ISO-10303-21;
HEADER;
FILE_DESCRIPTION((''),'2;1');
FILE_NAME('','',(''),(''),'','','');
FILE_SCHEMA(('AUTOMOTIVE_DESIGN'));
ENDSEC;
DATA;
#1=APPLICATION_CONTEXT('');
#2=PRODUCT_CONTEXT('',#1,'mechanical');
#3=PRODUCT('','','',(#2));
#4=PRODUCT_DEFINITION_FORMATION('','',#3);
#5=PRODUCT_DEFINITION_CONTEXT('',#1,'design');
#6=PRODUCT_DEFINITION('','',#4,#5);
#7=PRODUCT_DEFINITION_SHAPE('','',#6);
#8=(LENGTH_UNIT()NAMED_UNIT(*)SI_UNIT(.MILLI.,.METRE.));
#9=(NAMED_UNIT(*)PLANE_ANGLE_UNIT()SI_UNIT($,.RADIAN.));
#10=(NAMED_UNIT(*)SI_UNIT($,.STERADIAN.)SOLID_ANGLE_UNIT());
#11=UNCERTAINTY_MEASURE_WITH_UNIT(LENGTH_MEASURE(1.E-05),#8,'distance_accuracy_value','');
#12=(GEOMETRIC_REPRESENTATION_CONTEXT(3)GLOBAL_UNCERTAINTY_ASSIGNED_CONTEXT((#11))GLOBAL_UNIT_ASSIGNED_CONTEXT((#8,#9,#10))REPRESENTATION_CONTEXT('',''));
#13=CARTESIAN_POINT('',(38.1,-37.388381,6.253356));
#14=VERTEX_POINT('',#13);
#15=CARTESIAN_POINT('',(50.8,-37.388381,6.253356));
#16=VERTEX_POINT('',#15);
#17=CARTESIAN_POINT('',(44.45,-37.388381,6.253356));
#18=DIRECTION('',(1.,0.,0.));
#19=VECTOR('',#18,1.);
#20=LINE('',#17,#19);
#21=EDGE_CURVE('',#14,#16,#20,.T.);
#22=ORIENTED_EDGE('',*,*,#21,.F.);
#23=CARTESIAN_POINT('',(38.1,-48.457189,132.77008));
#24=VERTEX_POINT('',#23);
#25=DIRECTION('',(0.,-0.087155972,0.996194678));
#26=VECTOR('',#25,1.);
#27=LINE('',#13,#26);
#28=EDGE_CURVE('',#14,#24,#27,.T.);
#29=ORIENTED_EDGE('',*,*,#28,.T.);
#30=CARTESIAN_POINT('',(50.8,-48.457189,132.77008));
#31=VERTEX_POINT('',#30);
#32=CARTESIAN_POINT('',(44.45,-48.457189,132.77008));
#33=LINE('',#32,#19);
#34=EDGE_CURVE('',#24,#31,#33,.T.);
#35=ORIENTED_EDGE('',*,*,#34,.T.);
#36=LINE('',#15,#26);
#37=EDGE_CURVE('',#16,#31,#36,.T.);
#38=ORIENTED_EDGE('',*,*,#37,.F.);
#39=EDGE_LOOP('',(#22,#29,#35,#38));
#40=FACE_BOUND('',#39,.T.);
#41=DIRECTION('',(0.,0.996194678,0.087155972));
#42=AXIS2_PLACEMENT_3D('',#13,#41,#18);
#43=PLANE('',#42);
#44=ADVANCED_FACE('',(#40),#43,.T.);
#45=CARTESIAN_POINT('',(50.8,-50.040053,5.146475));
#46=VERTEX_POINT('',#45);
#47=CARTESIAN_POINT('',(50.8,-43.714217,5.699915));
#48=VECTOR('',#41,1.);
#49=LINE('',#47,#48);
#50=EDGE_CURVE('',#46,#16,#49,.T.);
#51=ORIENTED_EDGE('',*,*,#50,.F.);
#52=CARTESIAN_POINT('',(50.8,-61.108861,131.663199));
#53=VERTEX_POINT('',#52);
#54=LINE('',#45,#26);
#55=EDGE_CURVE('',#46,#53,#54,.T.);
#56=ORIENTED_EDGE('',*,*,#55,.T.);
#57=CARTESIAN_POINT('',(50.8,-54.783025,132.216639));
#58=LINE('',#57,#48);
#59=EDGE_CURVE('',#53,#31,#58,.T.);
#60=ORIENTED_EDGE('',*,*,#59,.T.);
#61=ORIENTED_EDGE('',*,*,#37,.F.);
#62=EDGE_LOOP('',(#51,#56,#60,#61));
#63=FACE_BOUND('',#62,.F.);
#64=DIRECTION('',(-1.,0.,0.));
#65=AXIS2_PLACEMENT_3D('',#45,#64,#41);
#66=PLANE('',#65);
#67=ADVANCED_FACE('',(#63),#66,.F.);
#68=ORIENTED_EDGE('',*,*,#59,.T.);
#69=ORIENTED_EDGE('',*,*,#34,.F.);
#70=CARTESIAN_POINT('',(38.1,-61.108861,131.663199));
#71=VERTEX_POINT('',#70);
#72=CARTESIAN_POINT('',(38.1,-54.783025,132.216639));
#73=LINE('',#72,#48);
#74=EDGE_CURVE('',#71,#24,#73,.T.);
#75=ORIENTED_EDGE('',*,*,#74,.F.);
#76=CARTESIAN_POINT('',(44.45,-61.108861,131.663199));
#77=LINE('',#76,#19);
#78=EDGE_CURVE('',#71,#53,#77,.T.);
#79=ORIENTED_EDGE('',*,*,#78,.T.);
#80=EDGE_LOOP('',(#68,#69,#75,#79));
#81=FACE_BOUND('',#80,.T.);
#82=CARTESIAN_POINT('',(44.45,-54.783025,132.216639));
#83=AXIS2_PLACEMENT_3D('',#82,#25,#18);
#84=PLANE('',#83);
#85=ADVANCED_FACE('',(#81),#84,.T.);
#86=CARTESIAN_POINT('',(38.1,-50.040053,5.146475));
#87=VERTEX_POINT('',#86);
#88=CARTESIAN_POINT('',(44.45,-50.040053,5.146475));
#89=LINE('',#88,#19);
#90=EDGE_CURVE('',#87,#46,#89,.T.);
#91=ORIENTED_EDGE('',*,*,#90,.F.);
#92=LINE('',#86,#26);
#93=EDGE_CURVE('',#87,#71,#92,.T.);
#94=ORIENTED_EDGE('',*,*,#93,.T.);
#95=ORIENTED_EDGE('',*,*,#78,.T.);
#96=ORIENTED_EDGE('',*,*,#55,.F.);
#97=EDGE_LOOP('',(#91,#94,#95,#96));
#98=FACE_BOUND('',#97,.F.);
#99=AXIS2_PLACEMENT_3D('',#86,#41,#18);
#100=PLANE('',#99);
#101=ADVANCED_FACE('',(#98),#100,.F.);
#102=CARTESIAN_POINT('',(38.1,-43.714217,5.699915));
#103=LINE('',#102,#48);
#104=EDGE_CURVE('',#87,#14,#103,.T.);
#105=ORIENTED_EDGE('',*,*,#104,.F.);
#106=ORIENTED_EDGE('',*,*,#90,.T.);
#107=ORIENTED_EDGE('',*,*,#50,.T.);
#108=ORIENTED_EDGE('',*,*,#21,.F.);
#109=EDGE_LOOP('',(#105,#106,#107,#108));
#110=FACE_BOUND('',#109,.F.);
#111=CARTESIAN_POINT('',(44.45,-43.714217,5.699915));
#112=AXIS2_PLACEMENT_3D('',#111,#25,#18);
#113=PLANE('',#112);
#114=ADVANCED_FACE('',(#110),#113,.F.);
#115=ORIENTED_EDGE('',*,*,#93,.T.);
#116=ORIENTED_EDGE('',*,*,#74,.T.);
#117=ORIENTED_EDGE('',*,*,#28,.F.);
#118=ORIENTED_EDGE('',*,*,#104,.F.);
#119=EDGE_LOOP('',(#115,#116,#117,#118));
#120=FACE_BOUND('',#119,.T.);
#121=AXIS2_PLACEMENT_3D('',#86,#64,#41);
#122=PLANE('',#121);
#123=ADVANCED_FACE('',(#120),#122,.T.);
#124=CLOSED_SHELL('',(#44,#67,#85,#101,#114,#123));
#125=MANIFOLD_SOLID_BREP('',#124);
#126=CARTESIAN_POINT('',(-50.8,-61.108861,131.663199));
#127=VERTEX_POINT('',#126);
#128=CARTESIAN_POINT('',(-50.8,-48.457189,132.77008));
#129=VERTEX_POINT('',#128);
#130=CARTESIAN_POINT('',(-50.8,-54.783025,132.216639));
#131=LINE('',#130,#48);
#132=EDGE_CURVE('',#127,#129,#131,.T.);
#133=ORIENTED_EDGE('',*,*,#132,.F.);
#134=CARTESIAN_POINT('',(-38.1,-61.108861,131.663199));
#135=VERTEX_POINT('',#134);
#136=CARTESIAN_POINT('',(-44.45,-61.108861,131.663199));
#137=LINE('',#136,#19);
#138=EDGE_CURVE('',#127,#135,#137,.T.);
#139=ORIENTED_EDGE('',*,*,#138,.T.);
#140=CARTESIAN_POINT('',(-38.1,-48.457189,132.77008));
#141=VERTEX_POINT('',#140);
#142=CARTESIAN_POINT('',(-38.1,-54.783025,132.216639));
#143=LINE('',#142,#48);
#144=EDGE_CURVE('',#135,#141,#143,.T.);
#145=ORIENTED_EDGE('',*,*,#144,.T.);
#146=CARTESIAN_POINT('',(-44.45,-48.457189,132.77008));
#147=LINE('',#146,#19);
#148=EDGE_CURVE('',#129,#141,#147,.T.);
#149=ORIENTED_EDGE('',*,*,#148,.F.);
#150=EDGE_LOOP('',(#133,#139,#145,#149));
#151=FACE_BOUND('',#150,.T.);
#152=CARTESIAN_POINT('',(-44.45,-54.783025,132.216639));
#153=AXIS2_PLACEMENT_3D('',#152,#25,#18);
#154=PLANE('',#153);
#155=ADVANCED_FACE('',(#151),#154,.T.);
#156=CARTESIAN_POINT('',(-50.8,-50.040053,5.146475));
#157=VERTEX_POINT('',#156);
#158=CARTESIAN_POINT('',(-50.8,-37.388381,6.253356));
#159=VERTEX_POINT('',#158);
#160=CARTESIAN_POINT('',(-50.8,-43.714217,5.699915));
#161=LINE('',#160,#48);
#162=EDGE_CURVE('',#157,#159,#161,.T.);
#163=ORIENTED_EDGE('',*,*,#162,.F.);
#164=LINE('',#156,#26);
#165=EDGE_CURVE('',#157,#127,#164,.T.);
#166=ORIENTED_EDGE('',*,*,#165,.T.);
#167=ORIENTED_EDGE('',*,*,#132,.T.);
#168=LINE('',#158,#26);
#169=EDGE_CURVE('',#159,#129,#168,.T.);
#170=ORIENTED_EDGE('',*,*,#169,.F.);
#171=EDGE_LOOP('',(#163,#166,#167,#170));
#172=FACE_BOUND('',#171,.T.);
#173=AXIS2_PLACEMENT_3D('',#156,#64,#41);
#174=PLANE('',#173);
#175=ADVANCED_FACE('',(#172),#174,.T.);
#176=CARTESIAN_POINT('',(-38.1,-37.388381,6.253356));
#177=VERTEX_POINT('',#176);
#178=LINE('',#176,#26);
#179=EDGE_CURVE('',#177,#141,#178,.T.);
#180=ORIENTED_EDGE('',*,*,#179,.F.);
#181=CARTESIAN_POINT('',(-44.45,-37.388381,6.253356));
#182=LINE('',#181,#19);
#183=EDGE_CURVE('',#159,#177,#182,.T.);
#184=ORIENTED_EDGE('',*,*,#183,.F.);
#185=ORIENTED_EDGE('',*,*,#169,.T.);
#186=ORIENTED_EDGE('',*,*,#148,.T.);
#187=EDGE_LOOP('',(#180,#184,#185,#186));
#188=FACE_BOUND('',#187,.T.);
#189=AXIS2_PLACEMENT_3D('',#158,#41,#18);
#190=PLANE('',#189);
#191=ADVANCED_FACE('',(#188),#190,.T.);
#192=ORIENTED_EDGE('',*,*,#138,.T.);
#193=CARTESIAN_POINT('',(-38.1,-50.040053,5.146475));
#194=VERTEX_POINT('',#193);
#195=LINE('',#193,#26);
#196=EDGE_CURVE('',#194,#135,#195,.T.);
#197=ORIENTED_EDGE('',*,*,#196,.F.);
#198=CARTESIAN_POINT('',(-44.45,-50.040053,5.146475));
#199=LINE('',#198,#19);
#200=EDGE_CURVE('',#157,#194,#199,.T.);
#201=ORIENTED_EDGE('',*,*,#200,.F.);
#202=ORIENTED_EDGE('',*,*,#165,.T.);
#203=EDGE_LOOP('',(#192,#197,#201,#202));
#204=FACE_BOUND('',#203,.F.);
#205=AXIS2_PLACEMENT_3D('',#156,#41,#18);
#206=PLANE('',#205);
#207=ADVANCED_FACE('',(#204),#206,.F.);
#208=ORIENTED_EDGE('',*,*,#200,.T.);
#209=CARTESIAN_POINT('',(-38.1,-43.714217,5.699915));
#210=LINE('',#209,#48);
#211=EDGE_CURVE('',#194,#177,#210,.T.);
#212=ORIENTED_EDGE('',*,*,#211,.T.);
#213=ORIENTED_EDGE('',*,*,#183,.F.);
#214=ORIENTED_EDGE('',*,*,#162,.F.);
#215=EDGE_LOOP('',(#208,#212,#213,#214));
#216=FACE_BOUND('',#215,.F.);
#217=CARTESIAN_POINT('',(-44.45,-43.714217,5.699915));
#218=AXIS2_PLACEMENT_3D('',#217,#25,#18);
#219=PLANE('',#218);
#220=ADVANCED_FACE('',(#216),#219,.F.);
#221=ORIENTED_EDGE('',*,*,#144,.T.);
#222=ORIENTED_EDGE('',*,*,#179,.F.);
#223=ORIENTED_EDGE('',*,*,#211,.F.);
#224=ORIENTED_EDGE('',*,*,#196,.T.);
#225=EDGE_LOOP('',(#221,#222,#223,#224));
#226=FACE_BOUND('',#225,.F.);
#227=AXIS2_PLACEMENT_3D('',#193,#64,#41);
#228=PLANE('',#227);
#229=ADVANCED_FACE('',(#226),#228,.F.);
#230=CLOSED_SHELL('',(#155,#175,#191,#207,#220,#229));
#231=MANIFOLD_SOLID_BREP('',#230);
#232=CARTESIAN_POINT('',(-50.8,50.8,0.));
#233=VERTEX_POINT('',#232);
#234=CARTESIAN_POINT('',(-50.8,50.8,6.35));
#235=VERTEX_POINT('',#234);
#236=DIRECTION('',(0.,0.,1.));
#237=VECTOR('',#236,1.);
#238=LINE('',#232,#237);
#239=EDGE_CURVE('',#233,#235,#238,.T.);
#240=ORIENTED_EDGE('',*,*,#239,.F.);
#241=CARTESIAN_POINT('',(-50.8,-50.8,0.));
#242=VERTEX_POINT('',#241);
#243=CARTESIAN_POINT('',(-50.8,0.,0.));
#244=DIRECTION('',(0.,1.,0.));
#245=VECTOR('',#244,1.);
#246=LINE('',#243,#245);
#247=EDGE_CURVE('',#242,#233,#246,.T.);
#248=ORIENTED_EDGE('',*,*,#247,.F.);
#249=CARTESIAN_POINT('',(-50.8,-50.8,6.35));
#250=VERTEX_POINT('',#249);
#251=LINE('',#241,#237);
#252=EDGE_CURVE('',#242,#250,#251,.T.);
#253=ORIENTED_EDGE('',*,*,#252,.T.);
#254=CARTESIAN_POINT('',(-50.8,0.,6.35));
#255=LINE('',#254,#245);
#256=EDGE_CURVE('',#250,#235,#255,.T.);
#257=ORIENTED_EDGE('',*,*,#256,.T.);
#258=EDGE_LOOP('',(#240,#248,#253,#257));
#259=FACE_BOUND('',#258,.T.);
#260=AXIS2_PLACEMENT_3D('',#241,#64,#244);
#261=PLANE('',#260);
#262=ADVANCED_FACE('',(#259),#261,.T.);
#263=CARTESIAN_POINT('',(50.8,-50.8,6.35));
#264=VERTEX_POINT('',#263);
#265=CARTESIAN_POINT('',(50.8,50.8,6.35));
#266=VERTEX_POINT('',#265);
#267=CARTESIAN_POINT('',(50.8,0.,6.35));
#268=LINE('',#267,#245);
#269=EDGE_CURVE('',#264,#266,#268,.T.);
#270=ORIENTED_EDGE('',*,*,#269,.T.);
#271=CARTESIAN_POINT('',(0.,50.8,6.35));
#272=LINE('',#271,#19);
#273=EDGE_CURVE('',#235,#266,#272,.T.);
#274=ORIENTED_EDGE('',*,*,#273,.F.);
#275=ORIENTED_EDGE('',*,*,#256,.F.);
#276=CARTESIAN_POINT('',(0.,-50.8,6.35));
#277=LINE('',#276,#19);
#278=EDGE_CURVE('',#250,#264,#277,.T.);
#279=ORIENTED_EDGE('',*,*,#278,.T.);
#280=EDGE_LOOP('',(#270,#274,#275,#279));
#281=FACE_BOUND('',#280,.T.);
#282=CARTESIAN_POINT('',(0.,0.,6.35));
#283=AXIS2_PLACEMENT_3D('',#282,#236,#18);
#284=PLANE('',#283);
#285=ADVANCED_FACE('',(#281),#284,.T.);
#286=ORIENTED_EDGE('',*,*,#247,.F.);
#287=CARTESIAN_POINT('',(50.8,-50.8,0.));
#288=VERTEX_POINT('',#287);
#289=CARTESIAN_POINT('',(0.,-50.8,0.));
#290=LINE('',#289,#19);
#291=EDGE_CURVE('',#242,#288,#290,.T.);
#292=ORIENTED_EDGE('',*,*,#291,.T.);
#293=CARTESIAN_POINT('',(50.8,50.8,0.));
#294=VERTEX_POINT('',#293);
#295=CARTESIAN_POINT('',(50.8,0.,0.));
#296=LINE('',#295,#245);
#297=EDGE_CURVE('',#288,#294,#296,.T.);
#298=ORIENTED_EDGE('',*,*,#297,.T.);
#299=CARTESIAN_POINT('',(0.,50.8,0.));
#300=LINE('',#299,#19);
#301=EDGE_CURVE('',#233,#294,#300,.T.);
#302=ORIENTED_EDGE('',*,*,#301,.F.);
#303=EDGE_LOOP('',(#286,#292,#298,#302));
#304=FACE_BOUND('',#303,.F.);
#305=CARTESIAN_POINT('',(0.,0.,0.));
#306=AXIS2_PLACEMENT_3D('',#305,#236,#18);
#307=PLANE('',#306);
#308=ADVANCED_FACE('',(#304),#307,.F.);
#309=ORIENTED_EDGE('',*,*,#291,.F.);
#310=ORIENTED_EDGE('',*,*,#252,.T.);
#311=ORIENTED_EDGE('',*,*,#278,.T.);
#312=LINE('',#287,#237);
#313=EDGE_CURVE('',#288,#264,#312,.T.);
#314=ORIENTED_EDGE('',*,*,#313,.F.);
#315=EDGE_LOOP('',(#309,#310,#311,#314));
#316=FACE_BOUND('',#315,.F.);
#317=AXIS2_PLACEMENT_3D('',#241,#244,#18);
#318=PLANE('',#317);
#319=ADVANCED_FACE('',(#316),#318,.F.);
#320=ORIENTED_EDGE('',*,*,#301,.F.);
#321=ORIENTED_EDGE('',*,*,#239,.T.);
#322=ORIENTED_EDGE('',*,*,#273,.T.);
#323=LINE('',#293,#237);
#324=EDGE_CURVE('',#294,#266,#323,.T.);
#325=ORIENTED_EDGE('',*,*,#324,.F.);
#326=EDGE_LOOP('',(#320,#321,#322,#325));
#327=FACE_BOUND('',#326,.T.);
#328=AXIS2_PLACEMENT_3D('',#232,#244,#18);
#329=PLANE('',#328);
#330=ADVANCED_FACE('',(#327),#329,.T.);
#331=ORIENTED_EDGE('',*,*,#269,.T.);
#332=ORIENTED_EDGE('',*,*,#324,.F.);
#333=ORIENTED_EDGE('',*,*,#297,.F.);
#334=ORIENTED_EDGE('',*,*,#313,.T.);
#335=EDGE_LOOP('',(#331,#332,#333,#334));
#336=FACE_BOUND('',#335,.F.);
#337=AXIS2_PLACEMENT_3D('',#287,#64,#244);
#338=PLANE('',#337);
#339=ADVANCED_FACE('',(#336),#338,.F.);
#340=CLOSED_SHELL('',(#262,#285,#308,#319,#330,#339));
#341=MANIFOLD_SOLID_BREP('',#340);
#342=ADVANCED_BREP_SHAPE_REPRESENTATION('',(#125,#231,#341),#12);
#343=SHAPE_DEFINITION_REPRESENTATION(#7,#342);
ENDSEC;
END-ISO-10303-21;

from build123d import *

# Parameters (mm, degrees)
F0_W     = 101.6
F0_H     = 101.6
F1_DEPTH = 6.35
F4_W     = 12.7
F4_H     = 12.7
F5_DEPTH = 127


with BuildPart() as f1:
    # F0 (on Top) → F1 (new body)
    with BuildSketch(Plane.XY):
        Rectangle(F0_W, F0_H)
    extrude(amount=F1_DEPTH)


with BuildPart() as f5:
    # F4 (on face) → F5 (new body)
    with BuildSketch(Plane(origin=(0, -0.826949, 9.452075), x_dir=(1, 0, 0), z_dir=(0, -0.087156, 0.996195))):
        with Locations((-44.45, -43.051091)):
            Rectangle(F4_W, F4_H)
        with Locations((44.45, -43.051091)):
            Rectangle(F4_W, F4_H)
    extrude(amount=F5_DEPTH)


solid = Compound([f1.part, f5.part])
